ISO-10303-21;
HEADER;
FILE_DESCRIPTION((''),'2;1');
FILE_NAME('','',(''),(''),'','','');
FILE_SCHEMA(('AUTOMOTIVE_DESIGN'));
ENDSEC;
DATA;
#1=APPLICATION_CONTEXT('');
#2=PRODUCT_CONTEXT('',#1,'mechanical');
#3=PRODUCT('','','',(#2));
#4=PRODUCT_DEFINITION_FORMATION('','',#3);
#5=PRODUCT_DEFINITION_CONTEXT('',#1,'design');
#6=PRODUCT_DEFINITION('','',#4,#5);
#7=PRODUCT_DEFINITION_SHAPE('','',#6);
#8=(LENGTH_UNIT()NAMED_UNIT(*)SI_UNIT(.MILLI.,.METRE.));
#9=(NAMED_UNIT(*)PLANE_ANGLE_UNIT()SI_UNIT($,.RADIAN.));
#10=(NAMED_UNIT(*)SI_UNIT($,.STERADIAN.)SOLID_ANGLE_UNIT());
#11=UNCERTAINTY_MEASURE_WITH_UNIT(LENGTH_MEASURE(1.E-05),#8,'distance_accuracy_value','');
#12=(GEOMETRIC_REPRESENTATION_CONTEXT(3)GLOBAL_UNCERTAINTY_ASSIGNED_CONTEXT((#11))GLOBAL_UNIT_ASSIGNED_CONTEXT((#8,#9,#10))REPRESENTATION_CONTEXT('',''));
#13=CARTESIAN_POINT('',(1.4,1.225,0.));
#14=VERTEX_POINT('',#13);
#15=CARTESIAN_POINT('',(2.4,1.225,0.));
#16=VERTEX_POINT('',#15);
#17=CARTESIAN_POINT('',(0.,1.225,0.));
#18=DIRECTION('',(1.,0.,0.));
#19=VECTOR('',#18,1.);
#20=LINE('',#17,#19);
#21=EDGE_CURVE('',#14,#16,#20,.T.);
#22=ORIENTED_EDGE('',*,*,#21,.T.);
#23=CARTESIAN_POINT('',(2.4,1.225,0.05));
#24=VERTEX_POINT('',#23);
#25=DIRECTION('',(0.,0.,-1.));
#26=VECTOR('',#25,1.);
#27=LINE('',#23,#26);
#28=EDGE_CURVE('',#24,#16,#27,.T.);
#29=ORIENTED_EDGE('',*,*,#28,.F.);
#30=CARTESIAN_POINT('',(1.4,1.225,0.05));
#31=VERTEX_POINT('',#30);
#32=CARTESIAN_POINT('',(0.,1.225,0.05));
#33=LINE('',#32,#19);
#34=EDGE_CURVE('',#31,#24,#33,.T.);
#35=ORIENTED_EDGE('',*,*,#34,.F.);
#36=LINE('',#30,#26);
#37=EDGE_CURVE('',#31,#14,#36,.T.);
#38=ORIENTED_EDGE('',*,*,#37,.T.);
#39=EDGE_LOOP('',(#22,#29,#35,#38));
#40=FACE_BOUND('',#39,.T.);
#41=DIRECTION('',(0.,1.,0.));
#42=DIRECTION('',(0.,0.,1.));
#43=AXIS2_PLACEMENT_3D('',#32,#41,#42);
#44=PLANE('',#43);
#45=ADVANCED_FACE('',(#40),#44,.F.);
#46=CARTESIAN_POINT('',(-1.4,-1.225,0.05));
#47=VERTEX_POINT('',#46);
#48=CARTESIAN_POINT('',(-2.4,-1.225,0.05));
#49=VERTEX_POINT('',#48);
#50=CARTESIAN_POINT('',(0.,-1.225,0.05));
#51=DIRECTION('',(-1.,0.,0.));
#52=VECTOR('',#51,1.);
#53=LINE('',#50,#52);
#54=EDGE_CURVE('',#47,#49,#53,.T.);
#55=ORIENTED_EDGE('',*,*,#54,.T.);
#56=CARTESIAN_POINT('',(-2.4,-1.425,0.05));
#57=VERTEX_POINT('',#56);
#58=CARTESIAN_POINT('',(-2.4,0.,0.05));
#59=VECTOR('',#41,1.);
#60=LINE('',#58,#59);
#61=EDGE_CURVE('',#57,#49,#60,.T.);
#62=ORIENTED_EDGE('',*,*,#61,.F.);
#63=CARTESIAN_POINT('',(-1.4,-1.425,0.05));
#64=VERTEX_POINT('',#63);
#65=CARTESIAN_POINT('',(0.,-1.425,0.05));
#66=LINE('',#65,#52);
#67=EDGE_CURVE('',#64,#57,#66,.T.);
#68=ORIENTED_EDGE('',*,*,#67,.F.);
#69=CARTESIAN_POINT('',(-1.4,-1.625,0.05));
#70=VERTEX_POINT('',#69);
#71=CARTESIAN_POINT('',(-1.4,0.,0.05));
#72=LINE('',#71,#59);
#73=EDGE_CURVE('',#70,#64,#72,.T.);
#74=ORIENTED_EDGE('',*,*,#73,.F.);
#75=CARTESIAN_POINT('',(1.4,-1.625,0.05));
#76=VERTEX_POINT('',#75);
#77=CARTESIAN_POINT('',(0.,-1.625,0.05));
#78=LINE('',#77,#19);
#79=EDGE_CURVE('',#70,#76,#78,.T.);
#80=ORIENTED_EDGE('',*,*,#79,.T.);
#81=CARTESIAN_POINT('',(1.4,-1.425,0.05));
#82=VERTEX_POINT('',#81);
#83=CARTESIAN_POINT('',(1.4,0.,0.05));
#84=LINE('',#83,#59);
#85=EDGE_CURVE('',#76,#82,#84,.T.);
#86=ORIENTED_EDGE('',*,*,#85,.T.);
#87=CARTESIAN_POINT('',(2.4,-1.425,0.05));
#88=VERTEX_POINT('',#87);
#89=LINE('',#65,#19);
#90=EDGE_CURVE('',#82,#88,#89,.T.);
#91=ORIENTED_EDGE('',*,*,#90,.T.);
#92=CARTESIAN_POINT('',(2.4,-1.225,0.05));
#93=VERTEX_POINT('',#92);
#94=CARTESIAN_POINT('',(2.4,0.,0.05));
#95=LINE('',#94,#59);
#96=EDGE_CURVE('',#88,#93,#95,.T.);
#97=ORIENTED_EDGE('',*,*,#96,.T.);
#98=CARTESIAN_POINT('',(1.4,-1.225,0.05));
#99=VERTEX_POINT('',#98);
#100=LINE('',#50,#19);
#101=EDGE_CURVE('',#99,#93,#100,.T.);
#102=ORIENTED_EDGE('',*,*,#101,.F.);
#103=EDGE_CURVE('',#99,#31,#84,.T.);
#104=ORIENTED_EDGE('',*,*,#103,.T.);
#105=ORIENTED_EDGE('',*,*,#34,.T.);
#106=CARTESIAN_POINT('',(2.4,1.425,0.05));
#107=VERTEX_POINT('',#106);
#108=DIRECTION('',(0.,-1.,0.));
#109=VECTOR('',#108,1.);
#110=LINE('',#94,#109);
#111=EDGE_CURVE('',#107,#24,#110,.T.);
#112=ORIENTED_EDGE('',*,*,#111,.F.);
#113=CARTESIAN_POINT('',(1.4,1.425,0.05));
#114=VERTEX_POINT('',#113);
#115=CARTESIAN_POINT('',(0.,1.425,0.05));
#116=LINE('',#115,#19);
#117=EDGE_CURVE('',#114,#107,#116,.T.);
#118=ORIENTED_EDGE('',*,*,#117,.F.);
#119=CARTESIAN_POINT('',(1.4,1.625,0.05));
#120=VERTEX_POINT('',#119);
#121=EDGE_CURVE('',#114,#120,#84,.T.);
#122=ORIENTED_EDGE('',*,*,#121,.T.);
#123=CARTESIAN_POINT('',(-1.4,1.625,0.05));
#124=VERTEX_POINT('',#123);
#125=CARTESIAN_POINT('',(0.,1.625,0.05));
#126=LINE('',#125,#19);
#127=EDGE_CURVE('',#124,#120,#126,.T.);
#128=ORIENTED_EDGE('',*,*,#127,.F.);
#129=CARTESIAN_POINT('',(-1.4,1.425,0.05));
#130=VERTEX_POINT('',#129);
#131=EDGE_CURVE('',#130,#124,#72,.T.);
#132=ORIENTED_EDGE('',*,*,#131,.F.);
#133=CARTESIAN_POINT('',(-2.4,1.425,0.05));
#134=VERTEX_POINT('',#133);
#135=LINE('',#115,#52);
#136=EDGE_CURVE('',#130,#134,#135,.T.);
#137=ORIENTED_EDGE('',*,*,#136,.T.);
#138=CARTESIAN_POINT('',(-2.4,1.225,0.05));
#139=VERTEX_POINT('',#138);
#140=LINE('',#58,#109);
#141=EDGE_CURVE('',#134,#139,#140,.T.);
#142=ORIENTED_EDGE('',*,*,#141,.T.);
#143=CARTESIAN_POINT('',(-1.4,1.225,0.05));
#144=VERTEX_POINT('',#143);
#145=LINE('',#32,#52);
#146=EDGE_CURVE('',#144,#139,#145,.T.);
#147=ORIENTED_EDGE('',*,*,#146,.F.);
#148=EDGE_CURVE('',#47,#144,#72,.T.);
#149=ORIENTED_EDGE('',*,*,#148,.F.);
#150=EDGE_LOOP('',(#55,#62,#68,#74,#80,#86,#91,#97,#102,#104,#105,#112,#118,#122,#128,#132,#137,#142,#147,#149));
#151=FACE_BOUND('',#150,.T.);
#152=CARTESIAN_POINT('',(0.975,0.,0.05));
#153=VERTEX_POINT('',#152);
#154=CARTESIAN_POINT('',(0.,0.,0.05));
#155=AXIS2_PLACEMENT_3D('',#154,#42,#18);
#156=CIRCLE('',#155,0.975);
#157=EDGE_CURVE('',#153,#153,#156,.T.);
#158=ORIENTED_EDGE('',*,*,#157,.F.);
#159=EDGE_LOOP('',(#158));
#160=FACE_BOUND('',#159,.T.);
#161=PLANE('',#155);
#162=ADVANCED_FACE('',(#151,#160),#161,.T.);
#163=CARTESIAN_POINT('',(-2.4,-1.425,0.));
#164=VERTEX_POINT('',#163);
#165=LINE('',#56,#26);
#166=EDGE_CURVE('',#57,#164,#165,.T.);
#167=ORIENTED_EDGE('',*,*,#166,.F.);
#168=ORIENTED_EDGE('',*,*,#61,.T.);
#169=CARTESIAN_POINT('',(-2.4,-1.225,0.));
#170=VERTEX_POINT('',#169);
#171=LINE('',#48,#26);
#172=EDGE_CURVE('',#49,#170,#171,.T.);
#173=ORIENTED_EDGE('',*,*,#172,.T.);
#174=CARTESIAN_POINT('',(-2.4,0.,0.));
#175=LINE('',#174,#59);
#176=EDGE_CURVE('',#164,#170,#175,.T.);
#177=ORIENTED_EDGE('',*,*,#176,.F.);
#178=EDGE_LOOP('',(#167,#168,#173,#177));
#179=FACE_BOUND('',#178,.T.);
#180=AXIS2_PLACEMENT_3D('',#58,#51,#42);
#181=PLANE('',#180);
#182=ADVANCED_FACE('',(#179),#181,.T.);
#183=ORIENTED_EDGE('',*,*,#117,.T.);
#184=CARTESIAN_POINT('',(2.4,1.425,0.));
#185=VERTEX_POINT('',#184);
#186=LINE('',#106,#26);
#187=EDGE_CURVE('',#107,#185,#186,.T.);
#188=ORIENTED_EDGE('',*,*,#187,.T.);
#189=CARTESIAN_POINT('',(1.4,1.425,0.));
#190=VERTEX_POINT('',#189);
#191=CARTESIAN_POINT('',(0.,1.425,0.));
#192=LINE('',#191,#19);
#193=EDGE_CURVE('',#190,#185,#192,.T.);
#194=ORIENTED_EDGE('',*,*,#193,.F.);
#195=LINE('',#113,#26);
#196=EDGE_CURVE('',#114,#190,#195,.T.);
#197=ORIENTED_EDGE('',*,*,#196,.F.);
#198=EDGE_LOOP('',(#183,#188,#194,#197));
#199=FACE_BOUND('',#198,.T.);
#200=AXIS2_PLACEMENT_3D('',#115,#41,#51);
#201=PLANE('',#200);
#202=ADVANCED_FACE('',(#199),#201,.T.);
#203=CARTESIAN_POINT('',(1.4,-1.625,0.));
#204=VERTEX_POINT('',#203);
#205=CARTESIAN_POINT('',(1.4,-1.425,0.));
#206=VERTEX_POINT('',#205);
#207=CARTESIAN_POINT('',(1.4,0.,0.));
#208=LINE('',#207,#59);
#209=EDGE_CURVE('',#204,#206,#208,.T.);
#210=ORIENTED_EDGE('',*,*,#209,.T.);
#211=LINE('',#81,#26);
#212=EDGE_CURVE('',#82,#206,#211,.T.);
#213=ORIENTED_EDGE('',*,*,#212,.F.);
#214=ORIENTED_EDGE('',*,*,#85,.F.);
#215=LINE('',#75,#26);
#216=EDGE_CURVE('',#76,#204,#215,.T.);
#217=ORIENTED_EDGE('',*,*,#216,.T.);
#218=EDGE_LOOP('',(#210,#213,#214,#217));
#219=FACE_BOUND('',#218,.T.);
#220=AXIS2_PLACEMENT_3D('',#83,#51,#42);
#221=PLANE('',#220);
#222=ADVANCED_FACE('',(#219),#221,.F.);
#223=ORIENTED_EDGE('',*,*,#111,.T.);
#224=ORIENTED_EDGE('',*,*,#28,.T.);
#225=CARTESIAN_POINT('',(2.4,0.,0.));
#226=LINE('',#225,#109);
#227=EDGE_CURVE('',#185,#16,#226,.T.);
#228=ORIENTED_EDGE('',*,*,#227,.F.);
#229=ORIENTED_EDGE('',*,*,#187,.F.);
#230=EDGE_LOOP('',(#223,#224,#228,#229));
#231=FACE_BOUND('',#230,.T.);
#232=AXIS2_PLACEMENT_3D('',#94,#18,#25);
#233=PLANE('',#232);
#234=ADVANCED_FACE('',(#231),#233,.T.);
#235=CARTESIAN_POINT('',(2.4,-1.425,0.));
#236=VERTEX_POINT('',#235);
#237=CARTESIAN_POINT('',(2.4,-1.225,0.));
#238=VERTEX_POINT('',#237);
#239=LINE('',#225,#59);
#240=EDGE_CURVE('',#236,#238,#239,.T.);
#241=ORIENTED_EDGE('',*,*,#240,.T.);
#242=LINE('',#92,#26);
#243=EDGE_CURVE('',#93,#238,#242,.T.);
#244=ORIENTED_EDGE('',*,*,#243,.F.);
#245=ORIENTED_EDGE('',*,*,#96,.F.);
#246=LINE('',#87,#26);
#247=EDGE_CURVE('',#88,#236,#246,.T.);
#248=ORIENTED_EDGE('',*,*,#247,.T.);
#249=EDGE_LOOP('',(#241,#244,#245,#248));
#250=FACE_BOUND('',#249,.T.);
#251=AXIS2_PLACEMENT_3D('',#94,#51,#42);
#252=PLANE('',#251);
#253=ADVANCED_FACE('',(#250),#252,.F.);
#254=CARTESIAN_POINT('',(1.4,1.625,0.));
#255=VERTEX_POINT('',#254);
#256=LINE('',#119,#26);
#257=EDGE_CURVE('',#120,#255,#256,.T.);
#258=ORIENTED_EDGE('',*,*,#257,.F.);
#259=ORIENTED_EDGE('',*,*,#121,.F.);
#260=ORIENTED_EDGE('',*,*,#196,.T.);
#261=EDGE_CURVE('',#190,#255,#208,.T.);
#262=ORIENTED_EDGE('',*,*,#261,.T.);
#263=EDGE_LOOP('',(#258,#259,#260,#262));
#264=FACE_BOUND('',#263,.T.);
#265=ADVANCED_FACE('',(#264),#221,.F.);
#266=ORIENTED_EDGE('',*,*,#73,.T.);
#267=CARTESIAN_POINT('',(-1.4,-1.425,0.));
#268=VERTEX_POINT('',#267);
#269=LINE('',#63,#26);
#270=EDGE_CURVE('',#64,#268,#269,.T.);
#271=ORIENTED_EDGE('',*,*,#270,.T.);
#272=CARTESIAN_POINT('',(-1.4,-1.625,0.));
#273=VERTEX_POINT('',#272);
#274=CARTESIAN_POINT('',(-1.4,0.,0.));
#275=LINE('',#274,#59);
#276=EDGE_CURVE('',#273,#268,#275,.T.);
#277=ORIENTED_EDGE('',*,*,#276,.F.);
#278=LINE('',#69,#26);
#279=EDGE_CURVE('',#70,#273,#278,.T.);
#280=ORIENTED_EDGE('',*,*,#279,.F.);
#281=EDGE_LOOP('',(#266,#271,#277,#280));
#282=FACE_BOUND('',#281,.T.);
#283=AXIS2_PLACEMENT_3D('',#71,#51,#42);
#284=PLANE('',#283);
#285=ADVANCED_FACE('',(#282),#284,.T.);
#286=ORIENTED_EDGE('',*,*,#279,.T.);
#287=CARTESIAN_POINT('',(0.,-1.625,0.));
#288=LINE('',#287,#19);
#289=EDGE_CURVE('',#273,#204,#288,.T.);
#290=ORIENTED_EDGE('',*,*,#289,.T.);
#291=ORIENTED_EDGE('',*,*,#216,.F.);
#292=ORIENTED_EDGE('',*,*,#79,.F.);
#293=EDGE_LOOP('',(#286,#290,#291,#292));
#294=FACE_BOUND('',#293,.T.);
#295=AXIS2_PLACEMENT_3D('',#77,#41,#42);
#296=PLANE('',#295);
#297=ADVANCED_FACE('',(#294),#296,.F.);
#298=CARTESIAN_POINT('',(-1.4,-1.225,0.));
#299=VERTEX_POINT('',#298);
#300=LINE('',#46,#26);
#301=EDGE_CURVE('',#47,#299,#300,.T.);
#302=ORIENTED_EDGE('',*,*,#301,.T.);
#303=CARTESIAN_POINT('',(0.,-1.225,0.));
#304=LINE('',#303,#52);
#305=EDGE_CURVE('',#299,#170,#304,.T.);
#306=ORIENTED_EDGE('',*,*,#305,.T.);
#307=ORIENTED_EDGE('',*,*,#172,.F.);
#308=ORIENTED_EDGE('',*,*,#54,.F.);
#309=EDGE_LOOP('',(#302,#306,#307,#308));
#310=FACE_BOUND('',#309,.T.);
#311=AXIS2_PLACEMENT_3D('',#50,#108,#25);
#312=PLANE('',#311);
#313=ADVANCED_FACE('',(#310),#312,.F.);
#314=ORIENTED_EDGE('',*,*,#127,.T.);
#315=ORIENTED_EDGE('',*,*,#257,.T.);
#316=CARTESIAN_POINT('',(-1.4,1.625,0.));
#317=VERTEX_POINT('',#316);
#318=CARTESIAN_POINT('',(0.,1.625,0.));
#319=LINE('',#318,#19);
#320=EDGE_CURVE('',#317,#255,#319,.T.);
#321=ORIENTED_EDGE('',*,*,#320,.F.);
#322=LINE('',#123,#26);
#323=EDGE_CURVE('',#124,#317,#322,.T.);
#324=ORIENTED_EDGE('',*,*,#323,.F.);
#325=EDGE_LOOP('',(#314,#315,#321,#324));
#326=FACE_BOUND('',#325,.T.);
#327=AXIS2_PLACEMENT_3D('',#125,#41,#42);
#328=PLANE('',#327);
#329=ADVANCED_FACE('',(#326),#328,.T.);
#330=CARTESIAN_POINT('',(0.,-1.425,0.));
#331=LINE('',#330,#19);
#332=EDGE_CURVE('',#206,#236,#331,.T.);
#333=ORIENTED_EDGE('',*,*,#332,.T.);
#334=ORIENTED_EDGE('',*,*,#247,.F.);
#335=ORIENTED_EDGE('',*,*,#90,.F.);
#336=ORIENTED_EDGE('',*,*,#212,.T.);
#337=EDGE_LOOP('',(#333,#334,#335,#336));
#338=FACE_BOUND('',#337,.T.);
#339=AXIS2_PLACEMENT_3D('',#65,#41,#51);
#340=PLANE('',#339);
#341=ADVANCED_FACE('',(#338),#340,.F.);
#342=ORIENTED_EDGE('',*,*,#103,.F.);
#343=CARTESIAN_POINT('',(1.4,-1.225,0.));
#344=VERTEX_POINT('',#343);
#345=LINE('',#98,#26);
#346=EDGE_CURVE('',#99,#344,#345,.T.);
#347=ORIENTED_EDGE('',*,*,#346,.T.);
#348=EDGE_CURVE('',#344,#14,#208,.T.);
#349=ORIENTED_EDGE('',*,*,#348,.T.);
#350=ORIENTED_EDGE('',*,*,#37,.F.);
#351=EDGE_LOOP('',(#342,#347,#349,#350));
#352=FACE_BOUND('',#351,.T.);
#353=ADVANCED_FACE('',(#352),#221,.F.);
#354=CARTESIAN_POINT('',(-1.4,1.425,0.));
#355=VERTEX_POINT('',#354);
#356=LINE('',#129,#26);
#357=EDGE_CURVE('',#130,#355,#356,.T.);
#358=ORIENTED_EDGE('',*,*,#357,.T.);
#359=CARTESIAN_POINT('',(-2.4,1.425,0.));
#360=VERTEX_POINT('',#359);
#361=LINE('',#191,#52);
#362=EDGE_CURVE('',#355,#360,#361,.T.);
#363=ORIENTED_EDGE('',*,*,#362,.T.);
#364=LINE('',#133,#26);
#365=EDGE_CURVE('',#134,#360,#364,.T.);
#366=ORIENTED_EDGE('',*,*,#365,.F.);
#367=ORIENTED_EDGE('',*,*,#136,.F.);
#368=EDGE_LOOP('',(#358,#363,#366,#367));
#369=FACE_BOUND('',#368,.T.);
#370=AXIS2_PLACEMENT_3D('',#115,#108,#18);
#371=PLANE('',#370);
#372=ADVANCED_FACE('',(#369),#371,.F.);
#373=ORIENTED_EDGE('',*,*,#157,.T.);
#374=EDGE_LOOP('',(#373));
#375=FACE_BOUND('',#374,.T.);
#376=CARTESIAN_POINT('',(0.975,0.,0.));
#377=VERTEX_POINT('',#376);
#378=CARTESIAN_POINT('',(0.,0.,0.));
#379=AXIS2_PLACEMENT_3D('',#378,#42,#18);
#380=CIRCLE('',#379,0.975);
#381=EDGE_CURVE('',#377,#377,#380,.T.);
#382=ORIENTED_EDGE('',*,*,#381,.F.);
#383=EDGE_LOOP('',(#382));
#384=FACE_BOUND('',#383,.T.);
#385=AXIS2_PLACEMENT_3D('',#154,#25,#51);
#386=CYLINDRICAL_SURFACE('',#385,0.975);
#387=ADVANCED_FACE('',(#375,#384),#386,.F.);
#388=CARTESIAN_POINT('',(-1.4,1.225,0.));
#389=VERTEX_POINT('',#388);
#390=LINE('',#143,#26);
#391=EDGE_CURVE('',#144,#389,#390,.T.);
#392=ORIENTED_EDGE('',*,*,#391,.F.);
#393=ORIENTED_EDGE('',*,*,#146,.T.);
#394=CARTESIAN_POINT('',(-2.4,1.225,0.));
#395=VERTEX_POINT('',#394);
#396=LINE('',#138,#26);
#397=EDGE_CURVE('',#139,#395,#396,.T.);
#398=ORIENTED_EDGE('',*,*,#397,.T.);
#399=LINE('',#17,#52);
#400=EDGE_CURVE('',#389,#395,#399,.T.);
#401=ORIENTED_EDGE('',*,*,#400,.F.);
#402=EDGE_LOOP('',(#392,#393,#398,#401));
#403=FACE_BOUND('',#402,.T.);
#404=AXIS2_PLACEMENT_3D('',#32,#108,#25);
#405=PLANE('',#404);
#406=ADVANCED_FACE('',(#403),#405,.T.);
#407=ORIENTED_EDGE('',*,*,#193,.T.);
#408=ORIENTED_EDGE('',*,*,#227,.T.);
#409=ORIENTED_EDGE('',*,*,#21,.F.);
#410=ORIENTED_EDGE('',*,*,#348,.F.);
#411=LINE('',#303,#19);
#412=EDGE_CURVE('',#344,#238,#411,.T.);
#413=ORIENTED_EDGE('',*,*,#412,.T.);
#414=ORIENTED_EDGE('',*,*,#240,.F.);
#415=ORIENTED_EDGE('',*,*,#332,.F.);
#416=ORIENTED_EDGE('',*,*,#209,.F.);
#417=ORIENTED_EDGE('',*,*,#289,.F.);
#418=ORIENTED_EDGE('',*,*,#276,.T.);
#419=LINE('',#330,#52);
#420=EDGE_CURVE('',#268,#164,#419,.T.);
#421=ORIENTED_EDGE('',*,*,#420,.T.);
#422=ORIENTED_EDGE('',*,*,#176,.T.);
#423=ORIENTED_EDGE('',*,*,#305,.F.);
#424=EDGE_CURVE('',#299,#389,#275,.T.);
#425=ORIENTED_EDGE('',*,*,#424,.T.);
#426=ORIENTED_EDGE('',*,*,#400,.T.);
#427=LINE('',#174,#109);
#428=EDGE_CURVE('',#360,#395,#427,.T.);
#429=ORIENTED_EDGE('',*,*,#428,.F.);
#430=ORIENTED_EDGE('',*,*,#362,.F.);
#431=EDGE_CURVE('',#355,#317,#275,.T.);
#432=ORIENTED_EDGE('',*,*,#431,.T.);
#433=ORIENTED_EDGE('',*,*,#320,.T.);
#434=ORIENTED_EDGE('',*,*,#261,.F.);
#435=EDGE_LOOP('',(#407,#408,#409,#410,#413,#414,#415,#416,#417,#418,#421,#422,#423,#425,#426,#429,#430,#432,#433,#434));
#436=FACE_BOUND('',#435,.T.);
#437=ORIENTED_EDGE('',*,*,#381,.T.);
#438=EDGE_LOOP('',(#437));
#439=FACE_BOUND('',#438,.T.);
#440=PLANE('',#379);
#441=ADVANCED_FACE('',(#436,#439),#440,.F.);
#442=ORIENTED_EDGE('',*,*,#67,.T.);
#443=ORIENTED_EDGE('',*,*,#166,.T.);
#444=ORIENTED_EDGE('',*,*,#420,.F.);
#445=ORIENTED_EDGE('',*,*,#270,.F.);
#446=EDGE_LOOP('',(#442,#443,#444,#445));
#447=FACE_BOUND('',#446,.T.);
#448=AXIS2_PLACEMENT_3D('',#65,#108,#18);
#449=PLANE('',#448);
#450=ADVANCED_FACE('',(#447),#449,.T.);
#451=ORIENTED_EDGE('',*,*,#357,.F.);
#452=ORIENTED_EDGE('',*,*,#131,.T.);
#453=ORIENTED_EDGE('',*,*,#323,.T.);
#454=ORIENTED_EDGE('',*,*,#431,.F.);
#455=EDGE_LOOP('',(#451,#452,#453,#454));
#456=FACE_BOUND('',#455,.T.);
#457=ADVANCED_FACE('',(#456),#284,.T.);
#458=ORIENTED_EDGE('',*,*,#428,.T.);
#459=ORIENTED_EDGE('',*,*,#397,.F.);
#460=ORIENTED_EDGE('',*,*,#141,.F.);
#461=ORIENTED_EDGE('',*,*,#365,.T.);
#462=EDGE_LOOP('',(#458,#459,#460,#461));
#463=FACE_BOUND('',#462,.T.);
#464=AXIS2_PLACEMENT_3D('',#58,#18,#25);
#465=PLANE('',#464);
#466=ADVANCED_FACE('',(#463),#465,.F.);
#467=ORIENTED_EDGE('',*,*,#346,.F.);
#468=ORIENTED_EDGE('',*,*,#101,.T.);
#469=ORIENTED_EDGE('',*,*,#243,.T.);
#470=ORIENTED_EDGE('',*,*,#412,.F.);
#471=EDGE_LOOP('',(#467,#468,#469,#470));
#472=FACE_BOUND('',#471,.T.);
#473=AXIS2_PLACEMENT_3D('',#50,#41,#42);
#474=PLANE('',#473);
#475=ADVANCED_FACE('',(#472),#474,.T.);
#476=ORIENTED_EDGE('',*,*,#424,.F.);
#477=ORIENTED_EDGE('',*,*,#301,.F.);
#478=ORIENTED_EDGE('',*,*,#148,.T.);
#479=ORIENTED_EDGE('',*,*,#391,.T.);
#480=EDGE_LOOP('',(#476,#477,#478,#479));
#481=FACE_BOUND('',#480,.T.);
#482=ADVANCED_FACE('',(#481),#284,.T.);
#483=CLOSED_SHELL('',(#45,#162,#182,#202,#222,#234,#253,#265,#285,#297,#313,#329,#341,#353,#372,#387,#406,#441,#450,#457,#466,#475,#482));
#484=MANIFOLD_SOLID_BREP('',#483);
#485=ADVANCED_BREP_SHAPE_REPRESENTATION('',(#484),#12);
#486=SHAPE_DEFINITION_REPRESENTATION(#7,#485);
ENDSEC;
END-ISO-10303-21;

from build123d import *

# Parameters (mm, degrees)
SKETCH1_W           = 2.8
SKETCH1_H           = 3.25
SKETCH1_R           = 0.975
SKETCH1_W_2         = 1
SKETCH1_H_2         = 0.2
BOSS_EXTRUDE1_DEPTH = 0.05


with BuildPart() as part:
    # Sketch1 → Boss-Extrude1 (new body)
    # profile 1 of 5: a face of its own
    with BuildSketch(Plane.XY):
        Rectangle(SKETCH1_W, SKETCH1_H)
        Circle(SKETCH1_R, mode=Mode.SUBTRACT)
    # profile 2 of 5: a face of its own
    with BuildSketch(Plane.XY):
        with Locations((-1.9, -1.325)):
            Rectangle(SKETCH1_W_2, SKETCH1_H_2)
    # profile 3 of 5: a face of its own
    with BuildSketch(Plane.XY):
        with Locations((1.9, -1.325)):
            Rectangle(SKETCH1_W_2, SKETCH1_H_2)
    # profile 4 of 5: a face of its own
    with BuildSketch(Plane.XY):
        with Locations((1.9, 1.325)):
            Rectangle(SKETCH1_W_2, SKETCH1_H_2)
    # profile 5 of 5: a face of its own
    with BuildSketch(Plane.XY):
        with Locations((-1.9, 1.325)):
            Rectangle(SKETCH1_W_2, SKETCH1_H_2)
    extrude(amount=BOSS_EXTRUDE1_DEPTH)


solid = part.part
